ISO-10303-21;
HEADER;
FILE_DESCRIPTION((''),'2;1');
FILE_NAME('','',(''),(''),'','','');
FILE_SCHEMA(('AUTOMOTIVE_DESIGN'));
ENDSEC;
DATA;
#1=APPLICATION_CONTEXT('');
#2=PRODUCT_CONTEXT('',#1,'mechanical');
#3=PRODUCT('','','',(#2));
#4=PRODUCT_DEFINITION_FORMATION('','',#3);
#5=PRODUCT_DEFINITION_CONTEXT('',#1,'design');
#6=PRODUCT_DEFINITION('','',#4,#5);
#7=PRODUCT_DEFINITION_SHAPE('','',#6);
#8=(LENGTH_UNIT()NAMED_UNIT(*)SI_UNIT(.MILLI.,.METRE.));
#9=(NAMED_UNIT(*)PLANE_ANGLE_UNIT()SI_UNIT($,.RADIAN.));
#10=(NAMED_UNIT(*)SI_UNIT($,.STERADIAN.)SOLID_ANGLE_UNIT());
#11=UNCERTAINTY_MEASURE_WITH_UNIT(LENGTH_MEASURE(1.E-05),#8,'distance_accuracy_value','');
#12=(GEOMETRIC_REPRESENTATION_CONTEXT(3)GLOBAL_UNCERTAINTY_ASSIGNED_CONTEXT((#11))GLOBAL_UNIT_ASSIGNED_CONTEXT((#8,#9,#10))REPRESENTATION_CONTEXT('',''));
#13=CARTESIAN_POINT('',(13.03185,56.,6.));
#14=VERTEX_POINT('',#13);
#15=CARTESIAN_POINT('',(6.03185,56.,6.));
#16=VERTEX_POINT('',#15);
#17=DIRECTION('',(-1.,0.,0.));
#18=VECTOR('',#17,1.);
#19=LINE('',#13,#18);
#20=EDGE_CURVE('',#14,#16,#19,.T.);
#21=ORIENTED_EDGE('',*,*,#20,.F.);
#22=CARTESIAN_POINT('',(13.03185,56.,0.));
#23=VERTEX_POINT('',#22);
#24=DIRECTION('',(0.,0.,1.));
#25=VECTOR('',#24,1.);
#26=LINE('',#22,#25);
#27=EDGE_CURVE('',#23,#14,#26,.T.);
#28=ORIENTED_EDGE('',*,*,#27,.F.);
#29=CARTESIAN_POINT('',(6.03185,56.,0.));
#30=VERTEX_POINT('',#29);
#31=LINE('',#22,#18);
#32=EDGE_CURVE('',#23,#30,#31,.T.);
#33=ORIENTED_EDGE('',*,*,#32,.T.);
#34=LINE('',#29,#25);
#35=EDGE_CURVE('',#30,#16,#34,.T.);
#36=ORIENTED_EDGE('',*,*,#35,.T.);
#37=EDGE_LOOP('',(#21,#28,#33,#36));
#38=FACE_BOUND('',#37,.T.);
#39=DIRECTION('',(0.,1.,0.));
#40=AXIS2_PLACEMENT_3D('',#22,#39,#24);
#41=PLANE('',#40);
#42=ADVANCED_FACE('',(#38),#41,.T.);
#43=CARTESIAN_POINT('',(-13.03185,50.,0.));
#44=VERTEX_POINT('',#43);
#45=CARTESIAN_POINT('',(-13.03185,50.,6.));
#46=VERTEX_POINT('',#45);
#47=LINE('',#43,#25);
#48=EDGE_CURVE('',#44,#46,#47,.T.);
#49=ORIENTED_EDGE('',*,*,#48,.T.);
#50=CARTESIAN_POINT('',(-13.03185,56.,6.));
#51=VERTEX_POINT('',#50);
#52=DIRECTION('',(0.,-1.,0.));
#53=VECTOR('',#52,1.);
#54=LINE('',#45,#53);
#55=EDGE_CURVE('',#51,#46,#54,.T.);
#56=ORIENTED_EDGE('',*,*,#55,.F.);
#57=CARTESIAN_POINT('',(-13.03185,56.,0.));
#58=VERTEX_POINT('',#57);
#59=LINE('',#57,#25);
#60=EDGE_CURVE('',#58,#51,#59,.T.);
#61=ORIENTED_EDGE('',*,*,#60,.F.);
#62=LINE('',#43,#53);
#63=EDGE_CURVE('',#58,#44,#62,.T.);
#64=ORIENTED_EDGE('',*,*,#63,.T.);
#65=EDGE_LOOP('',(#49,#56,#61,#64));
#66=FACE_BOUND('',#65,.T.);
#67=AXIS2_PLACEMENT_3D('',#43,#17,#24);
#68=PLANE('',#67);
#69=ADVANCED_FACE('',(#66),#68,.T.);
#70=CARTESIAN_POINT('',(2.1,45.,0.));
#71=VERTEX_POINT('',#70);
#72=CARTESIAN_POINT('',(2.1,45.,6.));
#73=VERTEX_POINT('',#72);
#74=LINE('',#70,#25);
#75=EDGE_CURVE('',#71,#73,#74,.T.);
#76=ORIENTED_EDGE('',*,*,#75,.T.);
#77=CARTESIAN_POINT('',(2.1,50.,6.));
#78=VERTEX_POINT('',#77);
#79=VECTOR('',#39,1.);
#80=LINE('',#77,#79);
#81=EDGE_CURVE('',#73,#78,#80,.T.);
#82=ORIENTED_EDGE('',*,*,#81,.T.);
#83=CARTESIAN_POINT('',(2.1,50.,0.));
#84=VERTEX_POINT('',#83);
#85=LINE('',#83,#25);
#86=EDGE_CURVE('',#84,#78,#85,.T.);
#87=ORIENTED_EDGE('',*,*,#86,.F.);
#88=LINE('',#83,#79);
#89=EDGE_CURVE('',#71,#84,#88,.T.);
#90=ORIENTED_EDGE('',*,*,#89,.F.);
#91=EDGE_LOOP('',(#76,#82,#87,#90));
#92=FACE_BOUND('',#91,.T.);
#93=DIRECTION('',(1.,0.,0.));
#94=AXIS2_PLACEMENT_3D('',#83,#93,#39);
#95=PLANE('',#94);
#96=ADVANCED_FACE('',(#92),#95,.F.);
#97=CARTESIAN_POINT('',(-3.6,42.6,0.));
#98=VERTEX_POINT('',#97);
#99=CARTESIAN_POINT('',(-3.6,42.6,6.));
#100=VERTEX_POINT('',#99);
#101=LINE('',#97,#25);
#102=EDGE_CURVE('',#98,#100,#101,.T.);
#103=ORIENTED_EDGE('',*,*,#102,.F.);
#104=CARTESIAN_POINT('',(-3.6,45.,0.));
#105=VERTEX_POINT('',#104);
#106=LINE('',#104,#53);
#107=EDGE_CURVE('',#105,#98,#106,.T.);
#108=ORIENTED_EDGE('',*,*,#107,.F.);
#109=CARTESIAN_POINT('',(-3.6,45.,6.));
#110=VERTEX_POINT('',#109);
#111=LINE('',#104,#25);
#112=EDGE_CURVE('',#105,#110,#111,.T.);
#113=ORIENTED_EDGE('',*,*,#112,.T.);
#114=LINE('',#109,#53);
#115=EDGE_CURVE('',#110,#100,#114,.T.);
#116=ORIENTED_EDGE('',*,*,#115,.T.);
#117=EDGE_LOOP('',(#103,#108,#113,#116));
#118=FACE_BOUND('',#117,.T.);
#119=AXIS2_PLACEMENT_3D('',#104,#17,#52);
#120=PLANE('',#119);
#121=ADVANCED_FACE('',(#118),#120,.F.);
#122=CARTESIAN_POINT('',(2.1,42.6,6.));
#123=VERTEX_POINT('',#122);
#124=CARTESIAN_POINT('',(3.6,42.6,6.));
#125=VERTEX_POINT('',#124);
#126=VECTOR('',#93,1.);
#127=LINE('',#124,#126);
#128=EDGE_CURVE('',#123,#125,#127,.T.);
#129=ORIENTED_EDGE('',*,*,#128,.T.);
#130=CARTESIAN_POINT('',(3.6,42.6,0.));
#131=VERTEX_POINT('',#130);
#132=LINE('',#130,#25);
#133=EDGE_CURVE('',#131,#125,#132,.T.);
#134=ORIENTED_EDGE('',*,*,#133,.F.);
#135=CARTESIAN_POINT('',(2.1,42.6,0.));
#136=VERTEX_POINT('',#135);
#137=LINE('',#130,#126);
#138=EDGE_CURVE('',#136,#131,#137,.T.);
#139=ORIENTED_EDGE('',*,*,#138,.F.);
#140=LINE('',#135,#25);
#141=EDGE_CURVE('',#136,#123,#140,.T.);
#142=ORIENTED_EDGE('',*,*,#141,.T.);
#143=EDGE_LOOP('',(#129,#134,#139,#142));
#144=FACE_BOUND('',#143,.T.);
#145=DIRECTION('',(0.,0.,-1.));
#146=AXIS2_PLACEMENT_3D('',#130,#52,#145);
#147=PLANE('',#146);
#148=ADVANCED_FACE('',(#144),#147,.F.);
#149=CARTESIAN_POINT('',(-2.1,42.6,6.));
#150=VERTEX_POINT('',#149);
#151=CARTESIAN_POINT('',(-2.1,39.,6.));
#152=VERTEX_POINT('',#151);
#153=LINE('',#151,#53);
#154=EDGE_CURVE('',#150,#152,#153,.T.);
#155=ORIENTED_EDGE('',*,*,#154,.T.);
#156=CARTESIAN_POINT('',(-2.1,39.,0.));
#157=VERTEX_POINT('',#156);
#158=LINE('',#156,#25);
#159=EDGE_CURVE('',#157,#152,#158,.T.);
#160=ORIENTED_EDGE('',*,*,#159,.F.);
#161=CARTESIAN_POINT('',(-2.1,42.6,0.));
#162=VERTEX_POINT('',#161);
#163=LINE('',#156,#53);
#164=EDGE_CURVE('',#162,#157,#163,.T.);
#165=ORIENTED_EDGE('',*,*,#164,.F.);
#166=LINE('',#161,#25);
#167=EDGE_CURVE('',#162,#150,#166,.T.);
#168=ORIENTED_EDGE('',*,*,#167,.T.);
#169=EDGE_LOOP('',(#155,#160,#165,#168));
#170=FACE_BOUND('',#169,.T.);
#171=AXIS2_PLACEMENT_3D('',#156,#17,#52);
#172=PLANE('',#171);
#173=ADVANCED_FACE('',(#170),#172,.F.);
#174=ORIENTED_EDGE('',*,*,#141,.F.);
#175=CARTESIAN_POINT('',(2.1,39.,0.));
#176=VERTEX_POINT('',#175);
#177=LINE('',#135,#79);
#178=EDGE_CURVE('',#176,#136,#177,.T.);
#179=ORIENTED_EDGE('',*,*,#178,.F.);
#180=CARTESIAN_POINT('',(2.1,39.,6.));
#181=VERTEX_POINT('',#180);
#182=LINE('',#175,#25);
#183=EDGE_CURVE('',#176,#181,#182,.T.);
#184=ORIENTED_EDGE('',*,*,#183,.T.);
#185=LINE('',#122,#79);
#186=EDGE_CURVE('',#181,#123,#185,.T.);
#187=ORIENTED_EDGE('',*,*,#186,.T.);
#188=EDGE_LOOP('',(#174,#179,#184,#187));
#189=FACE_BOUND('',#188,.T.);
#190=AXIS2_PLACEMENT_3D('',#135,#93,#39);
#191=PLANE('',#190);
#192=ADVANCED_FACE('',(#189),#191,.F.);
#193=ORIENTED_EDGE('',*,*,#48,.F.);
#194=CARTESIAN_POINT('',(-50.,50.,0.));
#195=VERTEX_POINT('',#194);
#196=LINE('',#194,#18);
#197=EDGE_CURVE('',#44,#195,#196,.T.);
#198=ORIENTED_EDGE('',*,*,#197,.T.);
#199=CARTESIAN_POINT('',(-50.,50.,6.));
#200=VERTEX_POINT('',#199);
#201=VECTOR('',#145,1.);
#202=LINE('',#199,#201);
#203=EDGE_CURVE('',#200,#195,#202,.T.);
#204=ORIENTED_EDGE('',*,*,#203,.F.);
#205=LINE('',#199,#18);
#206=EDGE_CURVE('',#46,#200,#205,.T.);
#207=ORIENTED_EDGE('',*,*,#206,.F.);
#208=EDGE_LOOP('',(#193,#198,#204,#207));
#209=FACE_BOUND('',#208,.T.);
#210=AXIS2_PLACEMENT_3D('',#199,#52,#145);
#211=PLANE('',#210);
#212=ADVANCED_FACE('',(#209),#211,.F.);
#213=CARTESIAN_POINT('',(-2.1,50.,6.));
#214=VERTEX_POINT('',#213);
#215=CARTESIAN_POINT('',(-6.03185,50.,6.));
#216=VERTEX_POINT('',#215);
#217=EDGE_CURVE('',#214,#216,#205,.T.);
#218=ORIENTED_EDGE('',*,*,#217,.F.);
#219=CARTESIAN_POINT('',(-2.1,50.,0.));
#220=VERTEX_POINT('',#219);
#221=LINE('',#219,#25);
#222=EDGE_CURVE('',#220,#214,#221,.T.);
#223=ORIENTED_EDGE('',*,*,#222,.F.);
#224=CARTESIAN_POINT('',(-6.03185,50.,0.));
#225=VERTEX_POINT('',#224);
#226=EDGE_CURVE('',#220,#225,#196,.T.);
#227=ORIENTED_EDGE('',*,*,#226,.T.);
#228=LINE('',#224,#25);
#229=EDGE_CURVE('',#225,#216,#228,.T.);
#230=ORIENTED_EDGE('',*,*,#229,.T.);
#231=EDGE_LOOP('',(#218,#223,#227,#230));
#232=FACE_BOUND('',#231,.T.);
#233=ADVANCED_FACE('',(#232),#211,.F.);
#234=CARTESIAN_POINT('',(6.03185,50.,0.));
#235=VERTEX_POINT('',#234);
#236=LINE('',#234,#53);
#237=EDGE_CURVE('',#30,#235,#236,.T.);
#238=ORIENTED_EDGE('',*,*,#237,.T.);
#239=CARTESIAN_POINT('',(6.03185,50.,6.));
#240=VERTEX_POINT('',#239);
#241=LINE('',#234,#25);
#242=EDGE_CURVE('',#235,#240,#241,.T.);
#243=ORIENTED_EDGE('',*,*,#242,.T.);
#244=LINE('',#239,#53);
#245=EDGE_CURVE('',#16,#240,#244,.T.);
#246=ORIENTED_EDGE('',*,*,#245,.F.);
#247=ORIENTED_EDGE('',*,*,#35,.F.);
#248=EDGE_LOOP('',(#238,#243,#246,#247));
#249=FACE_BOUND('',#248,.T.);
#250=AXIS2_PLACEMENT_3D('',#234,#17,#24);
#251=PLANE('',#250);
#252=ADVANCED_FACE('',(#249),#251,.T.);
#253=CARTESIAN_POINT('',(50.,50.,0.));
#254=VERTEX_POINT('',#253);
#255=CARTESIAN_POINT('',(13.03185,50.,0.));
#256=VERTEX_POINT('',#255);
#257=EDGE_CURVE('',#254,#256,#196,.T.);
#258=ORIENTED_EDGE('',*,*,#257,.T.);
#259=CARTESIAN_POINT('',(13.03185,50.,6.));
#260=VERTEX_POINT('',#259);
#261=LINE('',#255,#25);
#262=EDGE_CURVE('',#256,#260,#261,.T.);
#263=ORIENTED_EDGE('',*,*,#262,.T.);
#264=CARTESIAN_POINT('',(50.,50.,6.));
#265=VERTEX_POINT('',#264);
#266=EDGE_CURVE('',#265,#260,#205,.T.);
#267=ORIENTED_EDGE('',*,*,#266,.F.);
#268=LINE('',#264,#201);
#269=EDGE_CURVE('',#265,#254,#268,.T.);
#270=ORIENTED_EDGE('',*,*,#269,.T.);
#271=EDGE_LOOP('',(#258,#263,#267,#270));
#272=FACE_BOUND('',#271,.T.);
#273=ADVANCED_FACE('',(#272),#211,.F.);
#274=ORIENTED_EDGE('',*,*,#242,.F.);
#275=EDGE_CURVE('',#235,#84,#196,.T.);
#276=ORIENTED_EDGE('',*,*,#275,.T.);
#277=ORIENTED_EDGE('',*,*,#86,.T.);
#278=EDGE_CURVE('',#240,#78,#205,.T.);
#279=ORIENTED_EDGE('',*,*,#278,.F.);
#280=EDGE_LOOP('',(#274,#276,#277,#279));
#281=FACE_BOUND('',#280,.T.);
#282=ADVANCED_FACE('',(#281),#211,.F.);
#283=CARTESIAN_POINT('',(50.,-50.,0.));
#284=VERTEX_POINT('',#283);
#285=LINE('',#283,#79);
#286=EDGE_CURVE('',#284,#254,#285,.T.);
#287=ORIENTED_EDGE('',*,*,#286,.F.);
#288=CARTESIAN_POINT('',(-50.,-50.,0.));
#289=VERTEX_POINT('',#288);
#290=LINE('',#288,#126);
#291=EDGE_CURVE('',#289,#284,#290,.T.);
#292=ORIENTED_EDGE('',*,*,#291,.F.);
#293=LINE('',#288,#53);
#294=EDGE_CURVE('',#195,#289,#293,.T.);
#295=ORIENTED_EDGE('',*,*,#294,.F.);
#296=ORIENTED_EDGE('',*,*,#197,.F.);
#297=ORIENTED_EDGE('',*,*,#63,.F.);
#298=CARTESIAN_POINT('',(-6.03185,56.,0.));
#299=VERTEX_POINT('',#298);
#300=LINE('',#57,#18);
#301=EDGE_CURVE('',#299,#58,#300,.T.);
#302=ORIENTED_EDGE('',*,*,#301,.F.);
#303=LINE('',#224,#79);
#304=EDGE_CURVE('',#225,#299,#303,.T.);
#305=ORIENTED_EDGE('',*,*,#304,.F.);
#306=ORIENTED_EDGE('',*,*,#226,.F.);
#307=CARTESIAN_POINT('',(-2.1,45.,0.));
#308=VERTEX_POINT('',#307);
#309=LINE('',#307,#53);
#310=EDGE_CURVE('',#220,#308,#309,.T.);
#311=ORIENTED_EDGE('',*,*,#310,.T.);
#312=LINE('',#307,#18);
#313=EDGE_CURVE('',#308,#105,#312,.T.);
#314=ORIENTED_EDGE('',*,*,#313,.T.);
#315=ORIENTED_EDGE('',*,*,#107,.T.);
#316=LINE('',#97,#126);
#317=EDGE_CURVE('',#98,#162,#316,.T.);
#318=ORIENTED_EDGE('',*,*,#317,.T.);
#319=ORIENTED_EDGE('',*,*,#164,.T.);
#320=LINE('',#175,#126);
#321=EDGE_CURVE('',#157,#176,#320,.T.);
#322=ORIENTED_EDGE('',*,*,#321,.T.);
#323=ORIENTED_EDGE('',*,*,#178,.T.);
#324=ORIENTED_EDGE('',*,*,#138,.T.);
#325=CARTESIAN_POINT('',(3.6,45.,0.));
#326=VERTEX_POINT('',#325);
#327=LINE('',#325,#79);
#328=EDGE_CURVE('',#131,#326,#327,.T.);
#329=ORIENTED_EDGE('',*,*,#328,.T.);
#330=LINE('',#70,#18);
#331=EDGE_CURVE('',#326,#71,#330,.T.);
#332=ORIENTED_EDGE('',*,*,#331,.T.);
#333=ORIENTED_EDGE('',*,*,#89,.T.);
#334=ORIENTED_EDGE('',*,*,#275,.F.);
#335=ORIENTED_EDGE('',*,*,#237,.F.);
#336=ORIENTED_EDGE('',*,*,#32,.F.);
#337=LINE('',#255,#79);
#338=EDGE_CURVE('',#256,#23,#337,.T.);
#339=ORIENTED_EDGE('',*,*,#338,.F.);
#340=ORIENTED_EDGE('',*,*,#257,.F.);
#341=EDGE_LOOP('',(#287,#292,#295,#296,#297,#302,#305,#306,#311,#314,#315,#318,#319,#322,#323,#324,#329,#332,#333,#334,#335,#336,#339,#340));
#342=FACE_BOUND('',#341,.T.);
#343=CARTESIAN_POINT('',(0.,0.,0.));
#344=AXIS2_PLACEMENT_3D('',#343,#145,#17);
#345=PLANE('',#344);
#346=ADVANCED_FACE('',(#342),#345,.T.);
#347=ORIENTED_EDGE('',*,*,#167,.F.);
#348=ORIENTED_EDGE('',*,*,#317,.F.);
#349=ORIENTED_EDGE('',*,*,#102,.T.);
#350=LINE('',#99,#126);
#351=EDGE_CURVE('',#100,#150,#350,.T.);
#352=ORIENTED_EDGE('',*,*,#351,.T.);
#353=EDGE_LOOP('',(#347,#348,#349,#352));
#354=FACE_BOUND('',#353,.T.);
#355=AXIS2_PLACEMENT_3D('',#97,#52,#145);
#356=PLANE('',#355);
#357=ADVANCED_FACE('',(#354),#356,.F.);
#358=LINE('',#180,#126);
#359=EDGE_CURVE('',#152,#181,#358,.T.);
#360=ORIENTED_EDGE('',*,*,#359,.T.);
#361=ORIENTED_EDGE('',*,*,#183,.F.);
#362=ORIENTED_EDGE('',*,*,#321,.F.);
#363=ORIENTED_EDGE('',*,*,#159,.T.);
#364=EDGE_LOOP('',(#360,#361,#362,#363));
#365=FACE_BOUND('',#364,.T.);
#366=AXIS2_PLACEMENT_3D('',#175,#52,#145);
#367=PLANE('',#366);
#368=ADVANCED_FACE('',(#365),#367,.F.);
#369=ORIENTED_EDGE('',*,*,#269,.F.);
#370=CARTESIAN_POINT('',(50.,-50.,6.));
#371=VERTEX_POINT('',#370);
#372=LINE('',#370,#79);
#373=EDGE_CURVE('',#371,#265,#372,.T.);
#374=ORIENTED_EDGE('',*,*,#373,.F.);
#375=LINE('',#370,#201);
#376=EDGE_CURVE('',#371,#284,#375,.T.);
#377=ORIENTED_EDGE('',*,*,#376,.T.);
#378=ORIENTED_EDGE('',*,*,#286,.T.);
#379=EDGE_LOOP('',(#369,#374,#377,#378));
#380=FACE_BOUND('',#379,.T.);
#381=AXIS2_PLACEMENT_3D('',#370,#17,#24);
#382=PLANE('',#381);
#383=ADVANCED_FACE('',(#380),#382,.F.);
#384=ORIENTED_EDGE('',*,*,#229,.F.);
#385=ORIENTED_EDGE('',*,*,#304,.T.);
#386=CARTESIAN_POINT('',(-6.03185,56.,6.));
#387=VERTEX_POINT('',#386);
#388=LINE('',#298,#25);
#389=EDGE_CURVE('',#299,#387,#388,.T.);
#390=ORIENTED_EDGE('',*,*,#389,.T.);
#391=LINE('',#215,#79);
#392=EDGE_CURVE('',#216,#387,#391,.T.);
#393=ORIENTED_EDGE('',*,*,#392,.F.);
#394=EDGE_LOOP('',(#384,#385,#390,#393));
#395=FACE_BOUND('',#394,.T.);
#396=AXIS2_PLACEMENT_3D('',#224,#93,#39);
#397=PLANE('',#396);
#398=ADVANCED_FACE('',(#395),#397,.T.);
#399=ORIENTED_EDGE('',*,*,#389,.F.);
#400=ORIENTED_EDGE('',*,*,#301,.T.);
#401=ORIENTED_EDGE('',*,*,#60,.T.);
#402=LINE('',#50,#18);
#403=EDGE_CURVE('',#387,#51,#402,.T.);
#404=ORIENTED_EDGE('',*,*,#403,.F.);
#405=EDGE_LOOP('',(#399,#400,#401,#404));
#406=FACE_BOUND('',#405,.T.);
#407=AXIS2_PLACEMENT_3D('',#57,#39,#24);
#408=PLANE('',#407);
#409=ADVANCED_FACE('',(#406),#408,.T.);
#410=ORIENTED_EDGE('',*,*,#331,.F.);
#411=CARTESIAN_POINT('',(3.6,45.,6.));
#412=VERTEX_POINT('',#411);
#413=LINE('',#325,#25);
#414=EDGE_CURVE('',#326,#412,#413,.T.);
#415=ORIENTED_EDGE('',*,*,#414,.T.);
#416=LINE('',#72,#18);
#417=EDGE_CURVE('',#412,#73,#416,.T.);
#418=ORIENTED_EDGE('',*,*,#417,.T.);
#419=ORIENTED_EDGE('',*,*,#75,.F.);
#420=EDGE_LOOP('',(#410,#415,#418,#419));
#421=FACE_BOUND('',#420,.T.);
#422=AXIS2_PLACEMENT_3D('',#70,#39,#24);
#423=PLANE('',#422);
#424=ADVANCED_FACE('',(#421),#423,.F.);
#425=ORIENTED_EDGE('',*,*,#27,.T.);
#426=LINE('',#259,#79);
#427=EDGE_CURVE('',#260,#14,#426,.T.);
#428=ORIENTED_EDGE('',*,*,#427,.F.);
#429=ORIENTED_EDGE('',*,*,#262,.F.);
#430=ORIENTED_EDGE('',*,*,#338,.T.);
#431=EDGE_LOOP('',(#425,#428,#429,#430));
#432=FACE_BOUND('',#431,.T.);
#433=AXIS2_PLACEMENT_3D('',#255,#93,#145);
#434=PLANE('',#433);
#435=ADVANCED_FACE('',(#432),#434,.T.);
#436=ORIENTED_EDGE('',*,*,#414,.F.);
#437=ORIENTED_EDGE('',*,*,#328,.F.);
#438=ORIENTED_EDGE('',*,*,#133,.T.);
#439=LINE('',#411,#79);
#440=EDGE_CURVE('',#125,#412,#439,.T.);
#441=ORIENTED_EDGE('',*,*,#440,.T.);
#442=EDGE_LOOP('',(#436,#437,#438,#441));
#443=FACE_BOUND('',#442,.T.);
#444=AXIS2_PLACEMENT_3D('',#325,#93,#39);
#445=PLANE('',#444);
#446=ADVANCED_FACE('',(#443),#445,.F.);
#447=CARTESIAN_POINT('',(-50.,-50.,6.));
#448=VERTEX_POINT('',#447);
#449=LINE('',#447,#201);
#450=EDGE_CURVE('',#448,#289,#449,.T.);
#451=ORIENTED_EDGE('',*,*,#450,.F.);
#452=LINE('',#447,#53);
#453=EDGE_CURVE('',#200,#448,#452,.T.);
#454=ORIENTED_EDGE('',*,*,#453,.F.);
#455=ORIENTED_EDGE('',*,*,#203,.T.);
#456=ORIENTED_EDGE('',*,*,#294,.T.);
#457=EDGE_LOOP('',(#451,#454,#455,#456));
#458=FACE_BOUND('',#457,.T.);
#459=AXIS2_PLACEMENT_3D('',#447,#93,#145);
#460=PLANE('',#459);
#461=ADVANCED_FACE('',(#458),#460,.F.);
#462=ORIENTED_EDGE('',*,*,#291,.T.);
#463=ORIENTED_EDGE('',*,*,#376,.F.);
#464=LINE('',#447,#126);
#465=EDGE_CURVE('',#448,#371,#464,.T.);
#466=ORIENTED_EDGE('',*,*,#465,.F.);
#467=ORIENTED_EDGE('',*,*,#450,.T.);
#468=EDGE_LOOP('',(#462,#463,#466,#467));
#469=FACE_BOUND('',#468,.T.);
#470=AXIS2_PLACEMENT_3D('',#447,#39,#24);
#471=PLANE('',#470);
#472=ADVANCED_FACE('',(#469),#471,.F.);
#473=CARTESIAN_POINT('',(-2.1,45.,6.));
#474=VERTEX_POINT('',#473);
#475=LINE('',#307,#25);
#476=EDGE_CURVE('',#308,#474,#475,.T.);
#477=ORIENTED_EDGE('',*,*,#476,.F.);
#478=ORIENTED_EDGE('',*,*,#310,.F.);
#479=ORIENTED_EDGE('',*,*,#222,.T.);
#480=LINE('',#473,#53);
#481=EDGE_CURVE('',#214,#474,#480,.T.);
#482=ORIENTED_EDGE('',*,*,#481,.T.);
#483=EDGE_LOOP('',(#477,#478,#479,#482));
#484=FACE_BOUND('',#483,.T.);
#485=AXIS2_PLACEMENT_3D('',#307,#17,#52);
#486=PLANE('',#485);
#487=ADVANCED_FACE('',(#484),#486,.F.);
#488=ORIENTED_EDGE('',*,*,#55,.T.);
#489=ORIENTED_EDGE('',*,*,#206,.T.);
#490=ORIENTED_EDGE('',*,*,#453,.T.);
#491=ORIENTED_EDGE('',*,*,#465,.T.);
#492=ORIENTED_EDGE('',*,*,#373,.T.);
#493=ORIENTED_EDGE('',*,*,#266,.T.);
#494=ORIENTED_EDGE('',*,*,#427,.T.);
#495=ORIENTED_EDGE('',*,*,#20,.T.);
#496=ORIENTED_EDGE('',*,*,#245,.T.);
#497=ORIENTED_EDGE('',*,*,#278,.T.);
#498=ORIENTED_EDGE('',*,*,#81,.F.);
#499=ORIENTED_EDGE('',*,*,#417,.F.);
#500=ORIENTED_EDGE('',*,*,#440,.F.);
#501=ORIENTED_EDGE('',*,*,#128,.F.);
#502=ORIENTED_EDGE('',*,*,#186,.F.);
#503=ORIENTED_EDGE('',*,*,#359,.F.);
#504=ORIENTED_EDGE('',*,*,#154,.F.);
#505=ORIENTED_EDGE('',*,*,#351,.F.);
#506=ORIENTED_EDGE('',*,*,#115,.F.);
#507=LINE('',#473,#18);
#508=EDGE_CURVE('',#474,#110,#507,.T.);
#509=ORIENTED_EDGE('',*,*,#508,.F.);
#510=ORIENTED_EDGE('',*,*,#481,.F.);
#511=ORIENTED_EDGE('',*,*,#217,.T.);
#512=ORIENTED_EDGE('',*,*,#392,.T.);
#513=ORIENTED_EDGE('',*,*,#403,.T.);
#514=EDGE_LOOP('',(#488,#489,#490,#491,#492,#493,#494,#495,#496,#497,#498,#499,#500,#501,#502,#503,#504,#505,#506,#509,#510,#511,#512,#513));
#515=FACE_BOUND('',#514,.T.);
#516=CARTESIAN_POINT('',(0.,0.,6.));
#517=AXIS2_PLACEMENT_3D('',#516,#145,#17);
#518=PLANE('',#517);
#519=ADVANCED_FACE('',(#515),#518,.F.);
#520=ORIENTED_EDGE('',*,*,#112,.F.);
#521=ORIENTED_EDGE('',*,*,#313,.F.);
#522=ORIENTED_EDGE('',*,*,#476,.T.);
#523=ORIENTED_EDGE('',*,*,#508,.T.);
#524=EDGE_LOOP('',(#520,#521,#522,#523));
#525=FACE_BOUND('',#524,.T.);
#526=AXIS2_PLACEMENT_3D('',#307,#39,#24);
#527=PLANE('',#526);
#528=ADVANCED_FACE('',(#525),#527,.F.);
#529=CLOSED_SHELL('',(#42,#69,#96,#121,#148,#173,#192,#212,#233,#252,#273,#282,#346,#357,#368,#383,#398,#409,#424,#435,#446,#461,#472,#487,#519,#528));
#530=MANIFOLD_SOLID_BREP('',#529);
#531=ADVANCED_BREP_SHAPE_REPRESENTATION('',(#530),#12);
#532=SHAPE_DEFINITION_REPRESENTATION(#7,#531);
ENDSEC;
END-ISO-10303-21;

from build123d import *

# Parameters (mm, degrees)
SKETCH_1_W          = 100
SKETCH_1_H          = 100
EXTRUDE_1_DEPTH     = 6
SKETCH_2_W          = 7
SKETCH_2_H          = 6
EXTRUDE_2_DEPTH     = 6
CUT_EXTRUDE_1_DEPTH = 7


with BuildPart() as part:
    # Эскиз1 → Бобышка-Вытянуть1 (new body)
    with BuildSketch(Plane.XY):
        Rectangle(SKETCH_1_W, SKETCH_1_H)
    extrude(amount=EXTRUDE_1_DEPTH)

    # Эскиз2 → Бобышка-Вытянуть2 (add)
    with BuildSketch(Plane.XY.offset(6)):
        with Locations((-9.531849908, 53)):
            Rectangle(SKETCH_2_W, SKETCH_2_H)
        with Locations((9.531849908, 53)):
            Rectangle(SKETCH_2_W, SKETCH_2_H)
    extrude(amount=-EXTRUDE_2_DEPTH)

    # Эскиз3 → Вырез-Вытянуть1 (cut, through all)
    with BuildSketch(Plane.XY.offset(6)):
        Polygon((-2.1, 45), (-3.6, 45), (-3.6, 42.6), (-2.1, 42.6), (-2.1, 39), (2.1, 39), (2.1, 42.6), (3.6, 42.6), (3.6, 45), (2.1, 45), (2.1, 50), (-2.1, 50), align=None)
    extrude(amount=-CUT_EXTRUDE_1_DEPTH, mode=Mode.SUBTRACT)


solid = part.part
